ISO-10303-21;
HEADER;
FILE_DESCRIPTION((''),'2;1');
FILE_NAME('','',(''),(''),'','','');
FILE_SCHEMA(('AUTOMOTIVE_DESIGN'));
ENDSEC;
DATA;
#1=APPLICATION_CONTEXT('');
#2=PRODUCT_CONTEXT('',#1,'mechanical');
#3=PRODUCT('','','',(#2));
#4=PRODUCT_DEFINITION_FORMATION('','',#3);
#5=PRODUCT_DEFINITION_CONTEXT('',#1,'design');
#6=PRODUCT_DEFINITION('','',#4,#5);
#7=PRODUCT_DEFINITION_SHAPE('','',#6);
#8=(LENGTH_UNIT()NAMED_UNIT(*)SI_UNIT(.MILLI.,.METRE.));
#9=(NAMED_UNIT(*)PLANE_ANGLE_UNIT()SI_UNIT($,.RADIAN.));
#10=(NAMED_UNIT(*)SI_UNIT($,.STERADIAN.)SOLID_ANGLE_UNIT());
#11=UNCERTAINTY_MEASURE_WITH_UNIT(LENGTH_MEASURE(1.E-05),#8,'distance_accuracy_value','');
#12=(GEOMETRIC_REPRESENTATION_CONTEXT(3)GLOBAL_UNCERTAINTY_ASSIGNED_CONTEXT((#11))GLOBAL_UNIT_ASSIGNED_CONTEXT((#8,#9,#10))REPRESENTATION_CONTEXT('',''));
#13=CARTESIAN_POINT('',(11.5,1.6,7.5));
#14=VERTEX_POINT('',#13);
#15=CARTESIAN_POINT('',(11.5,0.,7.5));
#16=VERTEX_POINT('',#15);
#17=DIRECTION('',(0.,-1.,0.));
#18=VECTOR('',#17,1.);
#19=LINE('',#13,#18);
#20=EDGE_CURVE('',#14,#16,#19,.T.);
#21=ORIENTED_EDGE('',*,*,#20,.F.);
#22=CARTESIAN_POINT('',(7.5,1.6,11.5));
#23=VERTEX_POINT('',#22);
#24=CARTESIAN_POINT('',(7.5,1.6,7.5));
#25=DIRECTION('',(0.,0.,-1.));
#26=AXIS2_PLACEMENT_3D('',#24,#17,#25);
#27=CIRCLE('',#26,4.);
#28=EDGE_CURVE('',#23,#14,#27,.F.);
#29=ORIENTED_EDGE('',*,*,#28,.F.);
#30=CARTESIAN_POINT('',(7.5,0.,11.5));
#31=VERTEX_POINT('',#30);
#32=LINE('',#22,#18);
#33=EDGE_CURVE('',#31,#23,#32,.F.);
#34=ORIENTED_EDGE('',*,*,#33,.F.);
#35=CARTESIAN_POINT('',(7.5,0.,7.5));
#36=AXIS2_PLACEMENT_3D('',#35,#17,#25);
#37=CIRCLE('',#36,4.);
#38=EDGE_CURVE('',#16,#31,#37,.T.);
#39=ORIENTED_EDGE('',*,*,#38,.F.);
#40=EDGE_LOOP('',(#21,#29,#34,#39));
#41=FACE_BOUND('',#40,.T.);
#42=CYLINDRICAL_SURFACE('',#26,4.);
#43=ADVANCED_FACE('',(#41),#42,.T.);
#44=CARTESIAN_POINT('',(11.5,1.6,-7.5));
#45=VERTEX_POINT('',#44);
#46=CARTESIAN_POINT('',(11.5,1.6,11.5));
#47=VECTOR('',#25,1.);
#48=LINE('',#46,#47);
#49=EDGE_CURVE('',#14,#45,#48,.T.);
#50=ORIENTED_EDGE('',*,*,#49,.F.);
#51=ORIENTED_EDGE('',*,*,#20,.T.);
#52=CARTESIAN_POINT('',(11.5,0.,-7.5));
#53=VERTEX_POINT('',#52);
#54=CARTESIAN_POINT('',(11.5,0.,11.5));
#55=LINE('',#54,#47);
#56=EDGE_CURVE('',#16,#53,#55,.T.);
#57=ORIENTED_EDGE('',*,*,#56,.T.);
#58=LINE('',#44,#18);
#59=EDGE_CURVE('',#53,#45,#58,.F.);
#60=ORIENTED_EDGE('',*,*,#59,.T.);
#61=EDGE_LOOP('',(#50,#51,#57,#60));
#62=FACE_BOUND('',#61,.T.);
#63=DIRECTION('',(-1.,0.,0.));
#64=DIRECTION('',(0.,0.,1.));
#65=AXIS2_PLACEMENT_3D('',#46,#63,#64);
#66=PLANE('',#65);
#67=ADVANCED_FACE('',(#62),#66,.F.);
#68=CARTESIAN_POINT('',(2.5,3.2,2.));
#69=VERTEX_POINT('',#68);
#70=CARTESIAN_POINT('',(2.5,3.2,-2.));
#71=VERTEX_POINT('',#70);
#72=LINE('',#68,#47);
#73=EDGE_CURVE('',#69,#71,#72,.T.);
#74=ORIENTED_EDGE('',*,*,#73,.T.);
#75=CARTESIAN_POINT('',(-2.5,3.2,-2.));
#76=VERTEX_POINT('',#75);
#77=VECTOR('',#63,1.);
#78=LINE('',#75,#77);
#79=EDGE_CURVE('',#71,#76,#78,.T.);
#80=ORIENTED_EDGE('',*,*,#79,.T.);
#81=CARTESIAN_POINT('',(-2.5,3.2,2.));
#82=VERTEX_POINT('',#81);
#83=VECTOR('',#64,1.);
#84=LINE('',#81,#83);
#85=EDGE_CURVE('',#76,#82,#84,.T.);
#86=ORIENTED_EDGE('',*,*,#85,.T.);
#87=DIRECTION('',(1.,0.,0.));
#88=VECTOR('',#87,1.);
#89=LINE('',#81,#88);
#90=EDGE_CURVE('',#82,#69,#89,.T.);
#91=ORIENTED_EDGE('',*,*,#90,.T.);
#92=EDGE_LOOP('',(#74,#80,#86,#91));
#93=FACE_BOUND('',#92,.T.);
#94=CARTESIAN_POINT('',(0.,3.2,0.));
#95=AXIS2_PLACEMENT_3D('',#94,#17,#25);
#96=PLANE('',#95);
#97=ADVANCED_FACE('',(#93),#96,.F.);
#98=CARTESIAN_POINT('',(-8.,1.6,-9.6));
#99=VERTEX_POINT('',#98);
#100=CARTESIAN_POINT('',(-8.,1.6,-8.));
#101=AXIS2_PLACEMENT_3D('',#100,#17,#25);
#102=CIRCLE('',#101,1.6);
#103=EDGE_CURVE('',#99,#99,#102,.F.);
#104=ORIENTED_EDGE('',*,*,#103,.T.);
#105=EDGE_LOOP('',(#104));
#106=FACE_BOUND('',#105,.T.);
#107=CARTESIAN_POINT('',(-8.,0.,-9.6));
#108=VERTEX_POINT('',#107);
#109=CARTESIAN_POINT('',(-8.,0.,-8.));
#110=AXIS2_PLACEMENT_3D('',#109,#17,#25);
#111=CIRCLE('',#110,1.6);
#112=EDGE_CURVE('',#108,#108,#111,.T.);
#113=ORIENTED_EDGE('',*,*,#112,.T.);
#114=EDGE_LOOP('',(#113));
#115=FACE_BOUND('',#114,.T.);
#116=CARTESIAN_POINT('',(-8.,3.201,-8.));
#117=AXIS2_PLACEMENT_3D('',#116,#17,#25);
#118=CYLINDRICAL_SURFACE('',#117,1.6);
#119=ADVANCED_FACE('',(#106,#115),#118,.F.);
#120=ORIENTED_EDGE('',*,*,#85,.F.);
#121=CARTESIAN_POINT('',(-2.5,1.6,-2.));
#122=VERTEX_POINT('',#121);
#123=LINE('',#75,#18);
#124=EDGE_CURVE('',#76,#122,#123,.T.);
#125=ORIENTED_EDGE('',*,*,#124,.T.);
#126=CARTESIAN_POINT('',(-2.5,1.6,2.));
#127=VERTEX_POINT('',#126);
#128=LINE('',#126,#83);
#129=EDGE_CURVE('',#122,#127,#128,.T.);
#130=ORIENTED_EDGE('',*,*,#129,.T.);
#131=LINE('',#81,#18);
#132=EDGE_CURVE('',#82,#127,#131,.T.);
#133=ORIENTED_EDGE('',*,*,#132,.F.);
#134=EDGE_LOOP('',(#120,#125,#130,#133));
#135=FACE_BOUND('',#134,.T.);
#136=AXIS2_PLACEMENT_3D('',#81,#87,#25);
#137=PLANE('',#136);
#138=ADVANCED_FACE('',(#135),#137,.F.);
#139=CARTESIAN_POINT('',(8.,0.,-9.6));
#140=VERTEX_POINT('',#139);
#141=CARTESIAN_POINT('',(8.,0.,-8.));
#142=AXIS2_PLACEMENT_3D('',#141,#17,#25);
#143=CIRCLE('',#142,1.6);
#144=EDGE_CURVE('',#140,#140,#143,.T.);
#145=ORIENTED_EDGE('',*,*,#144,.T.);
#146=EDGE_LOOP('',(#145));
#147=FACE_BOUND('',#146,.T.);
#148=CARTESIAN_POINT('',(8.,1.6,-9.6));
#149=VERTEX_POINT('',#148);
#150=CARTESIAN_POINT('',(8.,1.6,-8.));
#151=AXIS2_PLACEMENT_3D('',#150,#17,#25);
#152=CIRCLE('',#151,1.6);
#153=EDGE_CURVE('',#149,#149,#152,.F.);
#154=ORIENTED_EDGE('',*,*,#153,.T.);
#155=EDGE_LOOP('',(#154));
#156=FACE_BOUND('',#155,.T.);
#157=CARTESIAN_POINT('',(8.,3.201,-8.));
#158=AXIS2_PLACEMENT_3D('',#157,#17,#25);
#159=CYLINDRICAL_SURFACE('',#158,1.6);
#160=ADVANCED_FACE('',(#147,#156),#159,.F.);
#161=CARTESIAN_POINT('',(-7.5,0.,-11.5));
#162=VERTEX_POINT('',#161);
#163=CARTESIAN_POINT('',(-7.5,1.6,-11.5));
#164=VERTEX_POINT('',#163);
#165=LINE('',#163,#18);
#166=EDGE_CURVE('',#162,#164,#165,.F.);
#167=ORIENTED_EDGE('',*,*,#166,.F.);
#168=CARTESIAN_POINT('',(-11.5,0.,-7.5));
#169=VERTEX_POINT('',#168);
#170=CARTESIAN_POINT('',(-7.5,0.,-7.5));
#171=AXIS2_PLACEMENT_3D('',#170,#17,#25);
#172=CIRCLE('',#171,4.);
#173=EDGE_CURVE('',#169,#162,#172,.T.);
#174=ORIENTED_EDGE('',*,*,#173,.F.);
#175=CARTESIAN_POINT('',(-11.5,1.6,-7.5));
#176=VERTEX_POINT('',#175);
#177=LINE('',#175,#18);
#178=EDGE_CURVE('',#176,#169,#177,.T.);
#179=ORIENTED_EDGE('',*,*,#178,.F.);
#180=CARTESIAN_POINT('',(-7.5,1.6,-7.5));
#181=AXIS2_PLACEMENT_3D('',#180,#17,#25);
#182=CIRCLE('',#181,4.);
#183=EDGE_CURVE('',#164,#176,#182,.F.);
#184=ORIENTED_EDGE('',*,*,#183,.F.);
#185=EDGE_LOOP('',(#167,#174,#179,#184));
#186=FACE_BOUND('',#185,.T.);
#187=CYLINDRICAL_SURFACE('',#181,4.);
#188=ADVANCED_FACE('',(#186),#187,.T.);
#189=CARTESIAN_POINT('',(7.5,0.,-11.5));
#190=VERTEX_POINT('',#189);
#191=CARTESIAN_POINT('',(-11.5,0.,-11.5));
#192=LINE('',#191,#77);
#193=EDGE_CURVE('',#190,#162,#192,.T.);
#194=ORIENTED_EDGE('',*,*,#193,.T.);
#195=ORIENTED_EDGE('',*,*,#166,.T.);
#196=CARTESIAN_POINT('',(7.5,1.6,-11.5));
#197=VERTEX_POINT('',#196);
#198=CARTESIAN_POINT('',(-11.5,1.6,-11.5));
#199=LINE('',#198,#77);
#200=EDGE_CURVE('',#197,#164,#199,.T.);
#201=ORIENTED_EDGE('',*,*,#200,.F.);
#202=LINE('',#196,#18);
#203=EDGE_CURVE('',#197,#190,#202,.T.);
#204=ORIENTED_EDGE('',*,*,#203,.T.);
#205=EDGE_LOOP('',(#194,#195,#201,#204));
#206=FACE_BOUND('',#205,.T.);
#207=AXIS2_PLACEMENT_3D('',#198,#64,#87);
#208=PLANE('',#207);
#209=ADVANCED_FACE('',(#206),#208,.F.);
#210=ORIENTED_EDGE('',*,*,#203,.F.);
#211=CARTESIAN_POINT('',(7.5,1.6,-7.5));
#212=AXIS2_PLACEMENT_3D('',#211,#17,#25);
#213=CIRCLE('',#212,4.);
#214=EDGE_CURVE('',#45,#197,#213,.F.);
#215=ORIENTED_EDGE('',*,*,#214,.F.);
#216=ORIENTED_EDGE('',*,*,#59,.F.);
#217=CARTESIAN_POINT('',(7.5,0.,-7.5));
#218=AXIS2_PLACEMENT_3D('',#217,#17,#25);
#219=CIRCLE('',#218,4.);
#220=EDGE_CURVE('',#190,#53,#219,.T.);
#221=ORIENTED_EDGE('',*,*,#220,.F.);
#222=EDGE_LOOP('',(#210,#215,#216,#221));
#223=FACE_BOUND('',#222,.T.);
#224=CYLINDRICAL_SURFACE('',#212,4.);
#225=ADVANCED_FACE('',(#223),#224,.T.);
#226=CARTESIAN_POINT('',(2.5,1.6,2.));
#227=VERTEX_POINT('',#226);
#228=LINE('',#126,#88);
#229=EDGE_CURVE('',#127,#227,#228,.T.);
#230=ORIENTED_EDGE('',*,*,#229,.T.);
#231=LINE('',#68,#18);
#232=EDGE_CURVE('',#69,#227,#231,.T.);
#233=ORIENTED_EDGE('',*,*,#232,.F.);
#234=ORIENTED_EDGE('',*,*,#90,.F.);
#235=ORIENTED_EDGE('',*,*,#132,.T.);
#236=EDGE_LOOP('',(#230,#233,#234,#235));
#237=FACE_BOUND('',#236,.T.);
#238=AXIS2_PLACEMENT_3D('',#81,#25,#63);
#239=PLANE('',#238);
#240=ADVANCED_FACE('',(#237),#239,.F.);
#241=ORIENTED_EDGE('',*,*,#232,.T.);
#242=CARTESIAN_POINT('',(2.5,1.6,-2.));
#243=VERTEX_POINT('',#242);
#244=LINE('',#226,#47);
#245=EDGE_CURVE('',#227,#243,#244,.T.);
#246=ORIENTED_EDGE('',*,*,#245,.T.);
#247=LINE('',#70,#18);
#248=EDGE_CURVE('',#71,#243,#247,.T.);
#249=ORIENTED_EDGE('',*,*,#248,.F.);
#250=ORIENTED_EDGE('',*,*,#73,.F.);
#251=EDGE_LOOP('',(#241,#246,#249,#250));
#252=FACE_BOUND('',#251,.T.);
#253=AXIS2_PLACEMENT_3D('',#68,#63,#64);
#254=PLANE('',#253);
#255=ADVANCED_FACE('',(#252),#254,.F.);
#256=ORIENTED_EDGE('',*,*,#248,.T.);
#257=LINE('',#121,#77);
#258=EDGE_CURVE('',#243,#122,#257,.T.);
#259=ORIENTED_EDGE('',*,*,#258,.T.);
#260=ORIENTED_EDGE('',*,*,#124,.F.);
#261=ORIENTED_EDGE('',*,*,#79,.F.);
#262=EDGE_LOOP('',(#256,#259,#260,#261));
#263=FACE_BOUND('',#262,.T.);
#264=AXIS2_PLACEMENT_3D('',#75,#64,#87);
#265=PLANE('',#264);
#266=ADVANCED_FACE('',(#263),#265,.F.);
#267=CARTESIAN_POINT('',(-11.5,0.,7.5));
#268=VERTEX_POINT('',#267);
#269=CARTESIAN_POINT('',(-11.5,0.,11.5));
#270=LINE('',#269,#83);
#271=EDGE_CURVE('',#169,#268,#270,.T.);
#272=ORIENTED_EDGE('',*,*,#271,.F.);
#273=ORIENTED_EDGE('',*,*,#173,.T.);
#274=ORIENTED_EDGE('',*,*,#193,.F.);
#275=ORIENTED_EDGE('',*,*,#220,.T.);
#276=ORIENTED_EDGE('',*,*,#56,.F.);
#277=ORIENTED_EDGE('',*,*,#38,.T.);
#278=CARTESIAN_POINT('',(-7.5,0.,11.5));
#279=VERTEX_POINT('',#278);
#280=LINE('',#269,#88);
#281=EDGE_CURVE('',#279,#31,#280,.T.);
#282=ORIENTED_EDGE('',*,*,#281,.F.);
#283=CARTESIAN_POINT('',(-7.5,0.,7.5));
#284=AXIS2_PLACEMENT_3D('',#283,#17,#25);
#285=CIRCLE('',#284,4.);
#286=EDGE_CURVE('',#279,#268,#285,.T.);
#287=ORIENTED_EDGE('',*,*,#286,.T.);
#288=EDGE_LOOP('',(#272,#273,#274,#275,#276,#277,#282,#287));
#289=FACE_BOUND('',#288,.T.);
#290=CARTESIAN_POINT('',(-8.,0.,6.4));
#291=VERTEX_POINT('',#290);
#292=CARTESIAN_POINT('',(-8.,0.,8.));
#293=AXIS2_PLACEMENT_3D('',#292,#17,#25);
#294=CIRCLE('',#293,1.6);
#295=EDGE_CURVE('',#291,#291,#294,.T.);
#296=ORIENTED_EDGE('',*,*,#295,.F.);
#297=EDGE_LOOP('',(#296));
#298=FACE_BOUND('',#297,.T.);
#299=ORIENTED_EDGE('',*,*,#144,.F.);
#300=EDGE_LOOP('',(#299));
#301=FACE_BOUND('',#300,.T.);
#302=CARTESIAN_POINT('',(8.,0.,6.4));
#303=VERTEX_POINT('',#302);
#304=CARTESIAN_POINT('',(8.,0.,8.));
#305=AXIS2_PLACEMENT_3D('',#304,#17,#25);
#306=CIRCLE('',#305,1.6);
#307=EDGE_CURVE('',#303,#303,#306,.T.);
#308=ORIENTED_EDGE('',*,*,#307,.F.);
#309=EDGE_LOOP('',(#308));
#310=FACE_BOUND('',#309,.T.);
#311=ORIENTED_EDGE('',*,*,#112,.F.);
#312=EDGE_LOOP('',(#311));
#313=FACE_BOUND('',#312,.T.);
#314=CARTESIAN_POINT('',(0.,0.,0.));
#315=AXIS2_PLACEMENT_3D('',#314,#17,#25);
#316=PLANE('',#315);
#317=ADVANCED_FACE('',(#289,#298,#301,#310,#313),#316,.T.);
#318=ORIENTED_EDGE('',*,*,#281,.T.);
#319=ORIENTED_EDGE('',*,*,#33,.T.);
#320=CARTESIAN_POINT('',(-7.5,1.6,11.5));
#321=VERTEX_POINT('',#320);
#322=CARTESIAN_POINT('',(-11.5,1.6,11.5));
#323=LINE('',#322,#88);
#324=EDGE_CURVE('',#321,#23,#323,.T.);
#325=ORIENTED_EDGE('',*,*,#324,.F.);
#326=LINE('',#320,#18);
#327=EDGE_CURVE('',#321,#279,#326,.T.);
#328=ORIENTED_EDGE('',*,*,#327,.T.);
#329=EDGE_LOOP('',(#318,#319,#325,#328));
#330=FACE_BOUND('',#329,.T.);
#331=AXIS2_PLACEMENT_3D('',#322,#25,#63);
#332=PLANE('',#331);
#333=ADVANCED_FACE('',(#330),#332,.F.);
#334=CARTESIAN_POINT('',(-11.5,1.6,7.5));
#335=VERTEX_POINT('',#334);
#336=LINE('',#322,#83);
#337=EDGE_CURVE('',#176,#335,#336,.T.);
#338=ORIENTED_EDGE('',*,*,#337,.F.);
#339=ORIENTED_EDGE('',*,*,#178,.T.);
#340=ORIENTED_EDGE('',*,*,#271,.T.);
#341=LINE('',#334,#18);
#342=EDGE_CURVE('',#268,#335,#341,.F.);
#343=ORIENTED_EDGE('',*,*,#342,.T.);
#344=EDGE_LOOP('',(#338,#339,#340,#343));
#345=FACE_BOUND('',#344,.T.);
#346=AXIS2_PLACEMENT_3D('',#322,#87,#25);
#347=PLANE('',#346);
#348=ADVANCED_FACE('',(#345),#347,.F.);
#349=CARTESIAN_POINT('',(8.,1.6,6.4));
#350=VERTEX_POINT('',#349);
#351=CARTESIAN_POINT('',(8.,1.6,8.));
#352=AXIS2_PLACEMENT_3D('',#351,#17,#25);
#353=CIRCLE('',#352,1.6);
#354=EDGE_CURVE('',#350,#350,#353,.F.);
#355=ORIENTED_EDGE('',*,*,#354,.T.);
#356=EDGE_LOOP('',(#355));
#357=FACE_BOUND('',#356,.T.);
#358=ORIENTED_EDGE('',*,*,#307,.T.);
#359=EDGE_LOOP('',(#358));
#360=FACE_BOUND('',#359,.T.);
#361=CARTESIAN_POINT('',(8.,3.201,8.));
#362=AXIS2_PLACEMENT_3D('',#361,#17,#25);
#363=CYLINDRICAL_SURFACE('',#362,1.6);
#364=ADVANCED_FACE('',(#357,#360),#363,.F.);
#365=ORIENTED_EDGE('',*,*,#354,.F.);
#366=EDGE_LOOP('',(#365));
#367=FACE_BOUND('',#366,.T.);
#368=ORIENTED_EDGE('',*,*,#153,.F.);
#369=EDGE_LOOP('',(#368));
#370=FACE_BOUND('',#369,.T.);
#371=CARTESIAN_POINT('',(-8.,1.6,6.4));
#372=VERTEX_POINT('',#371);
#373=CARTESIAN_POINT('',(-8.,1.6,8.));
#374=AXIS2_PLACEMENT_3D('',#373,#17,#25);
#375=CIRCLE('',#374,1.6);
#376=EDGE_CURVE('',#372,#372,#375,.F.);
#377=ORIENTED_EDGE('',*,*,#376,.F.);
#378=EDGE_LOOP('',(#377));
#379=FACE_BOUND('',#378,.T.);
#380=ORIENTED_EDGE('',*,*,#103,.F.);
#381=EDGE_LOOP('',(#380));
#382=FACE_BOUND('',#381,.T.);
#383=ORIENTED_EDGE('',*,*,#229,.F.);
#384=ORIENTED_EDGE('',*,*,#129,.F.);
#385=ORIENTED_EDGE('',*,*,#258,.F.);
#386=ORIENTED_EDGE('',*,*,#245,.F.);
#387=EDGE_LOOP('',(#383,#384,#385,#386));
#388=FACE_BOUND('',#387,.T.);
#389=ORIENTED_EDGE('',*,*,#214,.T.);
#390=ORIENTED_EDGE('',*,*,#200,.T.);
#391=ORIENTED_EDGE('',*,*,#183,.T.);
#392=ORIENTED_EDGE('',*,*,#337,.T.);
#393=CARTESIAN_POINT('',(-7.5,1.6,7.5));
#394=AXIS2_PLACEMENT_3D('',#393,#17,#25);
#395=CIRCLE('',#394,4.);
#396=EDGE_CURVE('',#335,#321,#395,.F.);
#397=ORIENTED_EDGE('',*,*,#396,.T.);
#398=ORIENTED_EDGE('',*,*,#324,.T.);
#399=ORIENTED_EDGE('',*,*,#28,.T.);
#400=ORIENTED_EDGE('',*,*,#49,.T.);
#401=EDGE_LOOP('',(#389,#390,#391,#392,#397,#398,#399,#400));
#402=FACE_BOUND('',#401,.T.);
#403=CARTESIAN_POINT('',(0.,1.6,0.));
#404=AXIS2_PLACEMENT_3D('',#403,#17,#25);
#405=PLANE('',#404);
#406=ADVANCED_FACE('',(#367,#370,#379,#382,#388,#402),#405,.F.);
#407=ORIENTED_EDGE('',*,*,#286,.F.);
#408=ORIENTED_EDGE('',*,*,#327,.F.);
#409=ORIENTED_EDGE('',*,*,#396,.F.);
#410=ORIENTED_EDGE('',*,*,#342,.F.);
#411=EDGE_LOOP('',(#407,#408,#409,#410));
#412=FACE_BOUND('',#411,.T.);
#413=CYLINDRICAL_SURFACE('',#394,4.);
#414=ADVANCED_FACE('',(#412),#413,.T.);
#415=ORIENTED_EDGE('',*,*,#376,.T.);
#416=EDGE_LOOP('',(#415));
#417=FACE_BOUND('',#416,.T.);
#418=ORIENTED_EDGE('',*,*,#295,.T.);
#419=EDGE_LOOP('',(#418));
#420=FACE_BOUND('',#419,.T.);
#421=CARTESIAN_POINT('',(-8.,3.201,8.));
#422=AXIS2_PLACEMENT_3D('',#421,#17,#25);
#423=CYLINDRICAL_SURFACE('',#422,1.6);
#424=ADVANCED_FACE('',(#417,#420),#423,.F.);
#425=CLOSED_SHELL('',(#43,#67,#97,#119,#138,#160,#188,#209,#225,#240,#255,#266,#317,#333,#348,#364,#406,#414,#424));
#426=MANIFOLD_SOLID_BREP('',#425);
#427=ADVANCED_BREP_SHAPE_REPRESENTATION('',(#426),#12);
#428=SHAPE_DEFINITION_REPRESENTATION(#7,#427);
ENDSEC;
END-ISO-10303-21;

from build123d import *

# Parameters (mm, degrees)
SKETCH_1_W          = 23
SKETCH_1_H          = 23
EXTRUDE_1_DEPTH     = 1.6
SKETCH_2_W          = 5
SKETCH_2_H          = 4
EXTRUDE_2_DEPTH     = 1.6
FILLET_1_R          = 4
CUT_EXTRUDE_1_REACH = 18.575
SKETCH_3_R          = 1.6


with BuildPart() as part:
    # 草图1 → 凸台-拉伸1 (new body)
    with BuildSketch(Plane(origin=(0, 0, 0), x_dir=(1, 0, 0), z_dir=(0, 1, 0))):
        Rectangle(SKETCH_1_W, SKETCH_1_H)
    extrude(amount=EXTRUDE_1_DEPTH)

    # 草图2 → 凸台-拉伸2 (add)
    with BuildSketch(Plane(origin=(0, 1.6, 0), x_dir=(1, 0, 0), z_dir=(0, 1, 0))):
        Rectangle(SKETCH_2_W, SKETCH_2_H)
    extrude(amount=EXTRUDE_2_DEPTH)

    # 圆角1
    fillet_1_edges = [part.edges().sort_by_distance(p)[0] for p in [
        (11.5, 0.8, 11.5),
        (-11.5, 0.8, 11.5),
        (-11.5, 0.8, -11.5),
        (11.5, 0.8, -11.5),
    ]]
    fillet(fillet_1_edges, radius=FILLET_1_R)

    # 草图3 → 切除-拉伸1 (cut, up to next)
    with BuildSketch(Plane.XZ, mode=Mode.PRIVATE) as cut_extrude_1_sk1:
        with Locations(Location((-8, 8, 0), (0, 0, 270))):
            Circle(SKETCH_3_R)
    cut_extrude_1_tool1 = extrude(cut_extrude_1_sk1.sketch, amount=-CUT_EXTRUDE_1_REACH, mode=Mode.PRIVATE) & part.part
    # 草图3 → 切除-拉伸1 (cut, up to next)
    with BuildSketch(Plane.XZ, mode=Mode.PRIVATE) as cut_extrude_1_sk2:
        with Locations(Location((8, 8, 0), (0, 0, 270))):
            Circle(SKETCH_3_R)
    cut_extrude_1_tool2 = extrude(cut_extrude_1_sk2.sketch, amount=-CUT_EXTRUDE_1_REACH, mode=Mode.PRIVATE) & part.part
    # 草图3 → 切除-拉伸1 (cut, up to next)
    with BuildSketch(Plane.XZ, mode=Mode.PRIVATE) as cut_extrude_1_sk3:
        with Locations(Location((8, -8, 0), (0, 0, 270))):
            Circle(SKETCH_3_R)
    cut_extrude_1_tool3 = extrude(cut_extrude_1_sk3.sketch, amount=-CUT_EXTRUDE_1_REACH, mode=Mode.PRIVATE) & part.part
    # 草图3 → 切除-拉伸1 (cut, up to next)
    with BuildSketch(Plane.XZ, mode=Mode.PRIVATE) as cut_extrude_1_sk4:
        with Locations(Location((-8, -8, 0), (0, 0, 270))):
            Circle(SKETCH_3_R)
    cut_extrude_1_tool4 = extrude(cut_extrude_1_sk4.sketch, amount=-CUT_EXTRUDE_1_REACH, mode=Mode.PRIVATE) & part.part
    add(cut_extrude_1_tool1.solids().sort_by_distance((-8, 0, 8))[0], mode=Mode.SUBTRACT)
    add(cut_extrude_1_tool2.solids().sort_by_distance((8, 0, 8))[0], mode=Mode.SUBTRACT)
    add(cut_extrude_1_tool3.solids().sort_by_distance((8, 0, -8))[0], mode=Mode.SUBTRACT)
    add(cut_extrude_1_tool4.solids().sort_by_distance((-8, 0, -8))[0], mode=Mode.SUBTRACT)


solid = part.part
